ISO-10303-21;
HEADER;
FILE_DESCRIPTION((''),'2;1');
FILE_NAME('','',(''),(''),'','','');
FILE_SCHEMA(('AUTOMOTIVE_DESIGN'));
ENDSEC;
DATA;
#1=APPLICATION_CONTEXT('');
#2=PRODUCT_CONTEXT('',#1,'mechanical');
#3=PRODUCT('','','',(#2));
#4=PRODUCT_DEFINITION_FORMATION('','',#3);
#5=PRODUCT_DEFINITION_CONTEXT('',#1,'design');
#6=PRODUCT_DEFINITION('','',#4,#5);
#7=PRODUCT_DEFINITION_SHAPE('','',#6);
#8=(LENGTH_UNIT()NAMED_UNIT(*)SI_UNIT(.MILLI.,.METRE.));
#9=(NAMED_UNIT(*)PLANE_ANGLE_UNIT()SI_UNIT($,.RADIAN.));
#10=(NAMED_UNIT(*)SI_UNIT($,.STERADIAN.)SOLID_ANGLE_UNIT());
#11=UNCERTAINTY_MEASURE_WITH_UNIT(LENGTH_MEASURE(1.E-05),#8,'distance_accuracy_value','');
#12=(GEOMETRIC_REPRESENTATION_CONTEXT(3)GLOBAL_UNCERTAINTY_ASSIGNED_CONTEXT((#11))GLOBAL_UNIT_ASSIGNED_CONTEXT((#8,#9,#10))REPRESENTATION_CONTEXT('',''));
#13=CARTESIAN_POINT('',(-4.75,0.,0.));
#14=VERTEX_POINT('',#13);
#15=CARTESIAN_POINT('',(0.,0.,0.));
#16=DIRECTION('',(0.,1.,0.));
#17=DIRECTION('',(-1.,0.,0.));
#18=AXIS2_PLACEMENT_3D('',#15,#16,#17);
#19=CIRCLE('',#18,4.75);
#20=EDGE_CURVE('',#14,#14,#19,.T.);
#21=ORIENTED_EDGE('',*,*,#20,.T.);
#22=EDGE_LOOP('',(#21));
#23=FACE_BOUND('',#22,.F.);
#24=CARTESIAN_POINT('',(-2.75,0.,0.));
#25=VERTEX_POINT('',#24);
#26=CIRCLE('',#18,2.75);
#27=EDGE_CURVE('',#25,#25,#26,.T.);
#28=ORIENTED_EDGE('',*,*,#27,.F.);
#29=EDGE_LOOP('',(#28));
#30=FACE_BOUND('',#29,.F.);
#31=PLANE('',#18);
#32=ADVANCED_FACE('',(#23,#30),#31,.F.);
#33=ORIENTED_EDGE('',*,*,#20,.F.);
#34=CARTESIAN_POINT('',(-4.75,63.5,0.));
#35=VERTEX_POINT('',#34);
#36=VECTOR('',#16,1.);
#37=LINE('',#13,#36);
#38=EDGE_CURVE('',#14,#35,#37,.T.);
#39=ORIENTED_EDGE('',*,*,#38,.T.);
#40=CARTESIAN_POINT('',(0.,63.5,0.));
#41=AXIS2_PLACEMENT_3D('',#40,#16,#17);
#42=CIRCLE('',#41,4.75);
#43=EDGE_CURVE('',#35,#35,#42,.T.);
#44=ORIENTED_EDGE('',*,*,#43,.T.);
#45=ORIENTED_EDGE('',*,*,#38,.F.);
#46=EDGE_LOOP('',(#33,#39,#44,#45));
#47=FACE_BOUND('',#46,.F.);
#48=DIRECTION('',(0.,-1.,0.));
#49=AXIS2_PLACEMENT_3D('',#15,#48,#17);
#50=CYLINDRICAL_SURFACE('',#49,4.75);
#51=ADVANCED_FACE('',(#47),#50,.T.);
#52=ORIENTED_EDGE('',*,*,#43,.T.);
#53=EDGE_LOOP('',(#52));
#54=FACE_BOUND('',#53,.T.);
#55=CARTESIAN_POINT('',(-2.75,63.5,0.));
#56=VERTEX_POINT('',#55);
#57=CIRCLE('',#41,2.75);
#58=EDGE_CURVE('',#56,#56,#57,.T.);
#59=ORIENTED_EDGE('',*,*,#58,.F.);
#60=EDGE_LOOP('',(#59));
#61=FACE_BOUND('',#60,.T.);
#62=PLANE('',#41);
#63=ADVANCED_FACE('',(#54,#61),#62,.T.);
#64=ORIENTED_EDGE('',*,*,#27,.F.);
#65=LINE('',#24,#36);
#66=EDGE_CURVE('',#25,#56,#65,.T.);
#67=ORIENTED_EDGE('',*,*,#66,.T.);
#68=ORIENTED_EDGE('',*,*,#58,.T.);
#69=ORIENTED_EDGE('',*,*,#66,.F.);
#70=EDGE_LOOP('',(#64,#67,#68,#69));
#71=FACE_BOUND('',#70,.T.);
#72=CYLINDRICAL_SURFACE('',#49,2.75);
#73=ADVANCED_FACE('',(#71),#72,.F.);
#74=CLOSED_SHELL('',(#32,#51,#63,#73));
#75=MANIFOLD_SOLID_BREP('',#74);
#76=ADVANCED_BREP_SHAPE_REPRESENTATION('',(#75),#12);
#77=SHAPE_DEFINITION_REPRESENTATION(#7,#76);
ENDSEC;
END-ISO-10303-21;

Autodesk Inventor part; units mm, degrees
ref_plane "YZ Plane" through (0, 0, 0) normal (1, 0, 0) x (0, 1, 0)
ref_plane "XZ Plane" through (0, 0, 0) normal (0, 1, 0) x (-1, 0, 0)
ref_plane "XY Plane" through (0, 0, 0) normal (0, 0, 1) x (1, 0, 0)
sketch "Sketch1" plane through (0, 0, 0) normal (0, 1, 0) x (-1, 0, 0)
  circle A0 centre (0, 0) radius 2.75
  circle A1 centre (0, 0) radius 4.75
  dimension "d0" = 5.5
  dimension "d1" = 9.5
extrude "Extrusion1" add sketch "Sketch1" along normal blind 63.5
properties part number "63_5mmSpacer"
